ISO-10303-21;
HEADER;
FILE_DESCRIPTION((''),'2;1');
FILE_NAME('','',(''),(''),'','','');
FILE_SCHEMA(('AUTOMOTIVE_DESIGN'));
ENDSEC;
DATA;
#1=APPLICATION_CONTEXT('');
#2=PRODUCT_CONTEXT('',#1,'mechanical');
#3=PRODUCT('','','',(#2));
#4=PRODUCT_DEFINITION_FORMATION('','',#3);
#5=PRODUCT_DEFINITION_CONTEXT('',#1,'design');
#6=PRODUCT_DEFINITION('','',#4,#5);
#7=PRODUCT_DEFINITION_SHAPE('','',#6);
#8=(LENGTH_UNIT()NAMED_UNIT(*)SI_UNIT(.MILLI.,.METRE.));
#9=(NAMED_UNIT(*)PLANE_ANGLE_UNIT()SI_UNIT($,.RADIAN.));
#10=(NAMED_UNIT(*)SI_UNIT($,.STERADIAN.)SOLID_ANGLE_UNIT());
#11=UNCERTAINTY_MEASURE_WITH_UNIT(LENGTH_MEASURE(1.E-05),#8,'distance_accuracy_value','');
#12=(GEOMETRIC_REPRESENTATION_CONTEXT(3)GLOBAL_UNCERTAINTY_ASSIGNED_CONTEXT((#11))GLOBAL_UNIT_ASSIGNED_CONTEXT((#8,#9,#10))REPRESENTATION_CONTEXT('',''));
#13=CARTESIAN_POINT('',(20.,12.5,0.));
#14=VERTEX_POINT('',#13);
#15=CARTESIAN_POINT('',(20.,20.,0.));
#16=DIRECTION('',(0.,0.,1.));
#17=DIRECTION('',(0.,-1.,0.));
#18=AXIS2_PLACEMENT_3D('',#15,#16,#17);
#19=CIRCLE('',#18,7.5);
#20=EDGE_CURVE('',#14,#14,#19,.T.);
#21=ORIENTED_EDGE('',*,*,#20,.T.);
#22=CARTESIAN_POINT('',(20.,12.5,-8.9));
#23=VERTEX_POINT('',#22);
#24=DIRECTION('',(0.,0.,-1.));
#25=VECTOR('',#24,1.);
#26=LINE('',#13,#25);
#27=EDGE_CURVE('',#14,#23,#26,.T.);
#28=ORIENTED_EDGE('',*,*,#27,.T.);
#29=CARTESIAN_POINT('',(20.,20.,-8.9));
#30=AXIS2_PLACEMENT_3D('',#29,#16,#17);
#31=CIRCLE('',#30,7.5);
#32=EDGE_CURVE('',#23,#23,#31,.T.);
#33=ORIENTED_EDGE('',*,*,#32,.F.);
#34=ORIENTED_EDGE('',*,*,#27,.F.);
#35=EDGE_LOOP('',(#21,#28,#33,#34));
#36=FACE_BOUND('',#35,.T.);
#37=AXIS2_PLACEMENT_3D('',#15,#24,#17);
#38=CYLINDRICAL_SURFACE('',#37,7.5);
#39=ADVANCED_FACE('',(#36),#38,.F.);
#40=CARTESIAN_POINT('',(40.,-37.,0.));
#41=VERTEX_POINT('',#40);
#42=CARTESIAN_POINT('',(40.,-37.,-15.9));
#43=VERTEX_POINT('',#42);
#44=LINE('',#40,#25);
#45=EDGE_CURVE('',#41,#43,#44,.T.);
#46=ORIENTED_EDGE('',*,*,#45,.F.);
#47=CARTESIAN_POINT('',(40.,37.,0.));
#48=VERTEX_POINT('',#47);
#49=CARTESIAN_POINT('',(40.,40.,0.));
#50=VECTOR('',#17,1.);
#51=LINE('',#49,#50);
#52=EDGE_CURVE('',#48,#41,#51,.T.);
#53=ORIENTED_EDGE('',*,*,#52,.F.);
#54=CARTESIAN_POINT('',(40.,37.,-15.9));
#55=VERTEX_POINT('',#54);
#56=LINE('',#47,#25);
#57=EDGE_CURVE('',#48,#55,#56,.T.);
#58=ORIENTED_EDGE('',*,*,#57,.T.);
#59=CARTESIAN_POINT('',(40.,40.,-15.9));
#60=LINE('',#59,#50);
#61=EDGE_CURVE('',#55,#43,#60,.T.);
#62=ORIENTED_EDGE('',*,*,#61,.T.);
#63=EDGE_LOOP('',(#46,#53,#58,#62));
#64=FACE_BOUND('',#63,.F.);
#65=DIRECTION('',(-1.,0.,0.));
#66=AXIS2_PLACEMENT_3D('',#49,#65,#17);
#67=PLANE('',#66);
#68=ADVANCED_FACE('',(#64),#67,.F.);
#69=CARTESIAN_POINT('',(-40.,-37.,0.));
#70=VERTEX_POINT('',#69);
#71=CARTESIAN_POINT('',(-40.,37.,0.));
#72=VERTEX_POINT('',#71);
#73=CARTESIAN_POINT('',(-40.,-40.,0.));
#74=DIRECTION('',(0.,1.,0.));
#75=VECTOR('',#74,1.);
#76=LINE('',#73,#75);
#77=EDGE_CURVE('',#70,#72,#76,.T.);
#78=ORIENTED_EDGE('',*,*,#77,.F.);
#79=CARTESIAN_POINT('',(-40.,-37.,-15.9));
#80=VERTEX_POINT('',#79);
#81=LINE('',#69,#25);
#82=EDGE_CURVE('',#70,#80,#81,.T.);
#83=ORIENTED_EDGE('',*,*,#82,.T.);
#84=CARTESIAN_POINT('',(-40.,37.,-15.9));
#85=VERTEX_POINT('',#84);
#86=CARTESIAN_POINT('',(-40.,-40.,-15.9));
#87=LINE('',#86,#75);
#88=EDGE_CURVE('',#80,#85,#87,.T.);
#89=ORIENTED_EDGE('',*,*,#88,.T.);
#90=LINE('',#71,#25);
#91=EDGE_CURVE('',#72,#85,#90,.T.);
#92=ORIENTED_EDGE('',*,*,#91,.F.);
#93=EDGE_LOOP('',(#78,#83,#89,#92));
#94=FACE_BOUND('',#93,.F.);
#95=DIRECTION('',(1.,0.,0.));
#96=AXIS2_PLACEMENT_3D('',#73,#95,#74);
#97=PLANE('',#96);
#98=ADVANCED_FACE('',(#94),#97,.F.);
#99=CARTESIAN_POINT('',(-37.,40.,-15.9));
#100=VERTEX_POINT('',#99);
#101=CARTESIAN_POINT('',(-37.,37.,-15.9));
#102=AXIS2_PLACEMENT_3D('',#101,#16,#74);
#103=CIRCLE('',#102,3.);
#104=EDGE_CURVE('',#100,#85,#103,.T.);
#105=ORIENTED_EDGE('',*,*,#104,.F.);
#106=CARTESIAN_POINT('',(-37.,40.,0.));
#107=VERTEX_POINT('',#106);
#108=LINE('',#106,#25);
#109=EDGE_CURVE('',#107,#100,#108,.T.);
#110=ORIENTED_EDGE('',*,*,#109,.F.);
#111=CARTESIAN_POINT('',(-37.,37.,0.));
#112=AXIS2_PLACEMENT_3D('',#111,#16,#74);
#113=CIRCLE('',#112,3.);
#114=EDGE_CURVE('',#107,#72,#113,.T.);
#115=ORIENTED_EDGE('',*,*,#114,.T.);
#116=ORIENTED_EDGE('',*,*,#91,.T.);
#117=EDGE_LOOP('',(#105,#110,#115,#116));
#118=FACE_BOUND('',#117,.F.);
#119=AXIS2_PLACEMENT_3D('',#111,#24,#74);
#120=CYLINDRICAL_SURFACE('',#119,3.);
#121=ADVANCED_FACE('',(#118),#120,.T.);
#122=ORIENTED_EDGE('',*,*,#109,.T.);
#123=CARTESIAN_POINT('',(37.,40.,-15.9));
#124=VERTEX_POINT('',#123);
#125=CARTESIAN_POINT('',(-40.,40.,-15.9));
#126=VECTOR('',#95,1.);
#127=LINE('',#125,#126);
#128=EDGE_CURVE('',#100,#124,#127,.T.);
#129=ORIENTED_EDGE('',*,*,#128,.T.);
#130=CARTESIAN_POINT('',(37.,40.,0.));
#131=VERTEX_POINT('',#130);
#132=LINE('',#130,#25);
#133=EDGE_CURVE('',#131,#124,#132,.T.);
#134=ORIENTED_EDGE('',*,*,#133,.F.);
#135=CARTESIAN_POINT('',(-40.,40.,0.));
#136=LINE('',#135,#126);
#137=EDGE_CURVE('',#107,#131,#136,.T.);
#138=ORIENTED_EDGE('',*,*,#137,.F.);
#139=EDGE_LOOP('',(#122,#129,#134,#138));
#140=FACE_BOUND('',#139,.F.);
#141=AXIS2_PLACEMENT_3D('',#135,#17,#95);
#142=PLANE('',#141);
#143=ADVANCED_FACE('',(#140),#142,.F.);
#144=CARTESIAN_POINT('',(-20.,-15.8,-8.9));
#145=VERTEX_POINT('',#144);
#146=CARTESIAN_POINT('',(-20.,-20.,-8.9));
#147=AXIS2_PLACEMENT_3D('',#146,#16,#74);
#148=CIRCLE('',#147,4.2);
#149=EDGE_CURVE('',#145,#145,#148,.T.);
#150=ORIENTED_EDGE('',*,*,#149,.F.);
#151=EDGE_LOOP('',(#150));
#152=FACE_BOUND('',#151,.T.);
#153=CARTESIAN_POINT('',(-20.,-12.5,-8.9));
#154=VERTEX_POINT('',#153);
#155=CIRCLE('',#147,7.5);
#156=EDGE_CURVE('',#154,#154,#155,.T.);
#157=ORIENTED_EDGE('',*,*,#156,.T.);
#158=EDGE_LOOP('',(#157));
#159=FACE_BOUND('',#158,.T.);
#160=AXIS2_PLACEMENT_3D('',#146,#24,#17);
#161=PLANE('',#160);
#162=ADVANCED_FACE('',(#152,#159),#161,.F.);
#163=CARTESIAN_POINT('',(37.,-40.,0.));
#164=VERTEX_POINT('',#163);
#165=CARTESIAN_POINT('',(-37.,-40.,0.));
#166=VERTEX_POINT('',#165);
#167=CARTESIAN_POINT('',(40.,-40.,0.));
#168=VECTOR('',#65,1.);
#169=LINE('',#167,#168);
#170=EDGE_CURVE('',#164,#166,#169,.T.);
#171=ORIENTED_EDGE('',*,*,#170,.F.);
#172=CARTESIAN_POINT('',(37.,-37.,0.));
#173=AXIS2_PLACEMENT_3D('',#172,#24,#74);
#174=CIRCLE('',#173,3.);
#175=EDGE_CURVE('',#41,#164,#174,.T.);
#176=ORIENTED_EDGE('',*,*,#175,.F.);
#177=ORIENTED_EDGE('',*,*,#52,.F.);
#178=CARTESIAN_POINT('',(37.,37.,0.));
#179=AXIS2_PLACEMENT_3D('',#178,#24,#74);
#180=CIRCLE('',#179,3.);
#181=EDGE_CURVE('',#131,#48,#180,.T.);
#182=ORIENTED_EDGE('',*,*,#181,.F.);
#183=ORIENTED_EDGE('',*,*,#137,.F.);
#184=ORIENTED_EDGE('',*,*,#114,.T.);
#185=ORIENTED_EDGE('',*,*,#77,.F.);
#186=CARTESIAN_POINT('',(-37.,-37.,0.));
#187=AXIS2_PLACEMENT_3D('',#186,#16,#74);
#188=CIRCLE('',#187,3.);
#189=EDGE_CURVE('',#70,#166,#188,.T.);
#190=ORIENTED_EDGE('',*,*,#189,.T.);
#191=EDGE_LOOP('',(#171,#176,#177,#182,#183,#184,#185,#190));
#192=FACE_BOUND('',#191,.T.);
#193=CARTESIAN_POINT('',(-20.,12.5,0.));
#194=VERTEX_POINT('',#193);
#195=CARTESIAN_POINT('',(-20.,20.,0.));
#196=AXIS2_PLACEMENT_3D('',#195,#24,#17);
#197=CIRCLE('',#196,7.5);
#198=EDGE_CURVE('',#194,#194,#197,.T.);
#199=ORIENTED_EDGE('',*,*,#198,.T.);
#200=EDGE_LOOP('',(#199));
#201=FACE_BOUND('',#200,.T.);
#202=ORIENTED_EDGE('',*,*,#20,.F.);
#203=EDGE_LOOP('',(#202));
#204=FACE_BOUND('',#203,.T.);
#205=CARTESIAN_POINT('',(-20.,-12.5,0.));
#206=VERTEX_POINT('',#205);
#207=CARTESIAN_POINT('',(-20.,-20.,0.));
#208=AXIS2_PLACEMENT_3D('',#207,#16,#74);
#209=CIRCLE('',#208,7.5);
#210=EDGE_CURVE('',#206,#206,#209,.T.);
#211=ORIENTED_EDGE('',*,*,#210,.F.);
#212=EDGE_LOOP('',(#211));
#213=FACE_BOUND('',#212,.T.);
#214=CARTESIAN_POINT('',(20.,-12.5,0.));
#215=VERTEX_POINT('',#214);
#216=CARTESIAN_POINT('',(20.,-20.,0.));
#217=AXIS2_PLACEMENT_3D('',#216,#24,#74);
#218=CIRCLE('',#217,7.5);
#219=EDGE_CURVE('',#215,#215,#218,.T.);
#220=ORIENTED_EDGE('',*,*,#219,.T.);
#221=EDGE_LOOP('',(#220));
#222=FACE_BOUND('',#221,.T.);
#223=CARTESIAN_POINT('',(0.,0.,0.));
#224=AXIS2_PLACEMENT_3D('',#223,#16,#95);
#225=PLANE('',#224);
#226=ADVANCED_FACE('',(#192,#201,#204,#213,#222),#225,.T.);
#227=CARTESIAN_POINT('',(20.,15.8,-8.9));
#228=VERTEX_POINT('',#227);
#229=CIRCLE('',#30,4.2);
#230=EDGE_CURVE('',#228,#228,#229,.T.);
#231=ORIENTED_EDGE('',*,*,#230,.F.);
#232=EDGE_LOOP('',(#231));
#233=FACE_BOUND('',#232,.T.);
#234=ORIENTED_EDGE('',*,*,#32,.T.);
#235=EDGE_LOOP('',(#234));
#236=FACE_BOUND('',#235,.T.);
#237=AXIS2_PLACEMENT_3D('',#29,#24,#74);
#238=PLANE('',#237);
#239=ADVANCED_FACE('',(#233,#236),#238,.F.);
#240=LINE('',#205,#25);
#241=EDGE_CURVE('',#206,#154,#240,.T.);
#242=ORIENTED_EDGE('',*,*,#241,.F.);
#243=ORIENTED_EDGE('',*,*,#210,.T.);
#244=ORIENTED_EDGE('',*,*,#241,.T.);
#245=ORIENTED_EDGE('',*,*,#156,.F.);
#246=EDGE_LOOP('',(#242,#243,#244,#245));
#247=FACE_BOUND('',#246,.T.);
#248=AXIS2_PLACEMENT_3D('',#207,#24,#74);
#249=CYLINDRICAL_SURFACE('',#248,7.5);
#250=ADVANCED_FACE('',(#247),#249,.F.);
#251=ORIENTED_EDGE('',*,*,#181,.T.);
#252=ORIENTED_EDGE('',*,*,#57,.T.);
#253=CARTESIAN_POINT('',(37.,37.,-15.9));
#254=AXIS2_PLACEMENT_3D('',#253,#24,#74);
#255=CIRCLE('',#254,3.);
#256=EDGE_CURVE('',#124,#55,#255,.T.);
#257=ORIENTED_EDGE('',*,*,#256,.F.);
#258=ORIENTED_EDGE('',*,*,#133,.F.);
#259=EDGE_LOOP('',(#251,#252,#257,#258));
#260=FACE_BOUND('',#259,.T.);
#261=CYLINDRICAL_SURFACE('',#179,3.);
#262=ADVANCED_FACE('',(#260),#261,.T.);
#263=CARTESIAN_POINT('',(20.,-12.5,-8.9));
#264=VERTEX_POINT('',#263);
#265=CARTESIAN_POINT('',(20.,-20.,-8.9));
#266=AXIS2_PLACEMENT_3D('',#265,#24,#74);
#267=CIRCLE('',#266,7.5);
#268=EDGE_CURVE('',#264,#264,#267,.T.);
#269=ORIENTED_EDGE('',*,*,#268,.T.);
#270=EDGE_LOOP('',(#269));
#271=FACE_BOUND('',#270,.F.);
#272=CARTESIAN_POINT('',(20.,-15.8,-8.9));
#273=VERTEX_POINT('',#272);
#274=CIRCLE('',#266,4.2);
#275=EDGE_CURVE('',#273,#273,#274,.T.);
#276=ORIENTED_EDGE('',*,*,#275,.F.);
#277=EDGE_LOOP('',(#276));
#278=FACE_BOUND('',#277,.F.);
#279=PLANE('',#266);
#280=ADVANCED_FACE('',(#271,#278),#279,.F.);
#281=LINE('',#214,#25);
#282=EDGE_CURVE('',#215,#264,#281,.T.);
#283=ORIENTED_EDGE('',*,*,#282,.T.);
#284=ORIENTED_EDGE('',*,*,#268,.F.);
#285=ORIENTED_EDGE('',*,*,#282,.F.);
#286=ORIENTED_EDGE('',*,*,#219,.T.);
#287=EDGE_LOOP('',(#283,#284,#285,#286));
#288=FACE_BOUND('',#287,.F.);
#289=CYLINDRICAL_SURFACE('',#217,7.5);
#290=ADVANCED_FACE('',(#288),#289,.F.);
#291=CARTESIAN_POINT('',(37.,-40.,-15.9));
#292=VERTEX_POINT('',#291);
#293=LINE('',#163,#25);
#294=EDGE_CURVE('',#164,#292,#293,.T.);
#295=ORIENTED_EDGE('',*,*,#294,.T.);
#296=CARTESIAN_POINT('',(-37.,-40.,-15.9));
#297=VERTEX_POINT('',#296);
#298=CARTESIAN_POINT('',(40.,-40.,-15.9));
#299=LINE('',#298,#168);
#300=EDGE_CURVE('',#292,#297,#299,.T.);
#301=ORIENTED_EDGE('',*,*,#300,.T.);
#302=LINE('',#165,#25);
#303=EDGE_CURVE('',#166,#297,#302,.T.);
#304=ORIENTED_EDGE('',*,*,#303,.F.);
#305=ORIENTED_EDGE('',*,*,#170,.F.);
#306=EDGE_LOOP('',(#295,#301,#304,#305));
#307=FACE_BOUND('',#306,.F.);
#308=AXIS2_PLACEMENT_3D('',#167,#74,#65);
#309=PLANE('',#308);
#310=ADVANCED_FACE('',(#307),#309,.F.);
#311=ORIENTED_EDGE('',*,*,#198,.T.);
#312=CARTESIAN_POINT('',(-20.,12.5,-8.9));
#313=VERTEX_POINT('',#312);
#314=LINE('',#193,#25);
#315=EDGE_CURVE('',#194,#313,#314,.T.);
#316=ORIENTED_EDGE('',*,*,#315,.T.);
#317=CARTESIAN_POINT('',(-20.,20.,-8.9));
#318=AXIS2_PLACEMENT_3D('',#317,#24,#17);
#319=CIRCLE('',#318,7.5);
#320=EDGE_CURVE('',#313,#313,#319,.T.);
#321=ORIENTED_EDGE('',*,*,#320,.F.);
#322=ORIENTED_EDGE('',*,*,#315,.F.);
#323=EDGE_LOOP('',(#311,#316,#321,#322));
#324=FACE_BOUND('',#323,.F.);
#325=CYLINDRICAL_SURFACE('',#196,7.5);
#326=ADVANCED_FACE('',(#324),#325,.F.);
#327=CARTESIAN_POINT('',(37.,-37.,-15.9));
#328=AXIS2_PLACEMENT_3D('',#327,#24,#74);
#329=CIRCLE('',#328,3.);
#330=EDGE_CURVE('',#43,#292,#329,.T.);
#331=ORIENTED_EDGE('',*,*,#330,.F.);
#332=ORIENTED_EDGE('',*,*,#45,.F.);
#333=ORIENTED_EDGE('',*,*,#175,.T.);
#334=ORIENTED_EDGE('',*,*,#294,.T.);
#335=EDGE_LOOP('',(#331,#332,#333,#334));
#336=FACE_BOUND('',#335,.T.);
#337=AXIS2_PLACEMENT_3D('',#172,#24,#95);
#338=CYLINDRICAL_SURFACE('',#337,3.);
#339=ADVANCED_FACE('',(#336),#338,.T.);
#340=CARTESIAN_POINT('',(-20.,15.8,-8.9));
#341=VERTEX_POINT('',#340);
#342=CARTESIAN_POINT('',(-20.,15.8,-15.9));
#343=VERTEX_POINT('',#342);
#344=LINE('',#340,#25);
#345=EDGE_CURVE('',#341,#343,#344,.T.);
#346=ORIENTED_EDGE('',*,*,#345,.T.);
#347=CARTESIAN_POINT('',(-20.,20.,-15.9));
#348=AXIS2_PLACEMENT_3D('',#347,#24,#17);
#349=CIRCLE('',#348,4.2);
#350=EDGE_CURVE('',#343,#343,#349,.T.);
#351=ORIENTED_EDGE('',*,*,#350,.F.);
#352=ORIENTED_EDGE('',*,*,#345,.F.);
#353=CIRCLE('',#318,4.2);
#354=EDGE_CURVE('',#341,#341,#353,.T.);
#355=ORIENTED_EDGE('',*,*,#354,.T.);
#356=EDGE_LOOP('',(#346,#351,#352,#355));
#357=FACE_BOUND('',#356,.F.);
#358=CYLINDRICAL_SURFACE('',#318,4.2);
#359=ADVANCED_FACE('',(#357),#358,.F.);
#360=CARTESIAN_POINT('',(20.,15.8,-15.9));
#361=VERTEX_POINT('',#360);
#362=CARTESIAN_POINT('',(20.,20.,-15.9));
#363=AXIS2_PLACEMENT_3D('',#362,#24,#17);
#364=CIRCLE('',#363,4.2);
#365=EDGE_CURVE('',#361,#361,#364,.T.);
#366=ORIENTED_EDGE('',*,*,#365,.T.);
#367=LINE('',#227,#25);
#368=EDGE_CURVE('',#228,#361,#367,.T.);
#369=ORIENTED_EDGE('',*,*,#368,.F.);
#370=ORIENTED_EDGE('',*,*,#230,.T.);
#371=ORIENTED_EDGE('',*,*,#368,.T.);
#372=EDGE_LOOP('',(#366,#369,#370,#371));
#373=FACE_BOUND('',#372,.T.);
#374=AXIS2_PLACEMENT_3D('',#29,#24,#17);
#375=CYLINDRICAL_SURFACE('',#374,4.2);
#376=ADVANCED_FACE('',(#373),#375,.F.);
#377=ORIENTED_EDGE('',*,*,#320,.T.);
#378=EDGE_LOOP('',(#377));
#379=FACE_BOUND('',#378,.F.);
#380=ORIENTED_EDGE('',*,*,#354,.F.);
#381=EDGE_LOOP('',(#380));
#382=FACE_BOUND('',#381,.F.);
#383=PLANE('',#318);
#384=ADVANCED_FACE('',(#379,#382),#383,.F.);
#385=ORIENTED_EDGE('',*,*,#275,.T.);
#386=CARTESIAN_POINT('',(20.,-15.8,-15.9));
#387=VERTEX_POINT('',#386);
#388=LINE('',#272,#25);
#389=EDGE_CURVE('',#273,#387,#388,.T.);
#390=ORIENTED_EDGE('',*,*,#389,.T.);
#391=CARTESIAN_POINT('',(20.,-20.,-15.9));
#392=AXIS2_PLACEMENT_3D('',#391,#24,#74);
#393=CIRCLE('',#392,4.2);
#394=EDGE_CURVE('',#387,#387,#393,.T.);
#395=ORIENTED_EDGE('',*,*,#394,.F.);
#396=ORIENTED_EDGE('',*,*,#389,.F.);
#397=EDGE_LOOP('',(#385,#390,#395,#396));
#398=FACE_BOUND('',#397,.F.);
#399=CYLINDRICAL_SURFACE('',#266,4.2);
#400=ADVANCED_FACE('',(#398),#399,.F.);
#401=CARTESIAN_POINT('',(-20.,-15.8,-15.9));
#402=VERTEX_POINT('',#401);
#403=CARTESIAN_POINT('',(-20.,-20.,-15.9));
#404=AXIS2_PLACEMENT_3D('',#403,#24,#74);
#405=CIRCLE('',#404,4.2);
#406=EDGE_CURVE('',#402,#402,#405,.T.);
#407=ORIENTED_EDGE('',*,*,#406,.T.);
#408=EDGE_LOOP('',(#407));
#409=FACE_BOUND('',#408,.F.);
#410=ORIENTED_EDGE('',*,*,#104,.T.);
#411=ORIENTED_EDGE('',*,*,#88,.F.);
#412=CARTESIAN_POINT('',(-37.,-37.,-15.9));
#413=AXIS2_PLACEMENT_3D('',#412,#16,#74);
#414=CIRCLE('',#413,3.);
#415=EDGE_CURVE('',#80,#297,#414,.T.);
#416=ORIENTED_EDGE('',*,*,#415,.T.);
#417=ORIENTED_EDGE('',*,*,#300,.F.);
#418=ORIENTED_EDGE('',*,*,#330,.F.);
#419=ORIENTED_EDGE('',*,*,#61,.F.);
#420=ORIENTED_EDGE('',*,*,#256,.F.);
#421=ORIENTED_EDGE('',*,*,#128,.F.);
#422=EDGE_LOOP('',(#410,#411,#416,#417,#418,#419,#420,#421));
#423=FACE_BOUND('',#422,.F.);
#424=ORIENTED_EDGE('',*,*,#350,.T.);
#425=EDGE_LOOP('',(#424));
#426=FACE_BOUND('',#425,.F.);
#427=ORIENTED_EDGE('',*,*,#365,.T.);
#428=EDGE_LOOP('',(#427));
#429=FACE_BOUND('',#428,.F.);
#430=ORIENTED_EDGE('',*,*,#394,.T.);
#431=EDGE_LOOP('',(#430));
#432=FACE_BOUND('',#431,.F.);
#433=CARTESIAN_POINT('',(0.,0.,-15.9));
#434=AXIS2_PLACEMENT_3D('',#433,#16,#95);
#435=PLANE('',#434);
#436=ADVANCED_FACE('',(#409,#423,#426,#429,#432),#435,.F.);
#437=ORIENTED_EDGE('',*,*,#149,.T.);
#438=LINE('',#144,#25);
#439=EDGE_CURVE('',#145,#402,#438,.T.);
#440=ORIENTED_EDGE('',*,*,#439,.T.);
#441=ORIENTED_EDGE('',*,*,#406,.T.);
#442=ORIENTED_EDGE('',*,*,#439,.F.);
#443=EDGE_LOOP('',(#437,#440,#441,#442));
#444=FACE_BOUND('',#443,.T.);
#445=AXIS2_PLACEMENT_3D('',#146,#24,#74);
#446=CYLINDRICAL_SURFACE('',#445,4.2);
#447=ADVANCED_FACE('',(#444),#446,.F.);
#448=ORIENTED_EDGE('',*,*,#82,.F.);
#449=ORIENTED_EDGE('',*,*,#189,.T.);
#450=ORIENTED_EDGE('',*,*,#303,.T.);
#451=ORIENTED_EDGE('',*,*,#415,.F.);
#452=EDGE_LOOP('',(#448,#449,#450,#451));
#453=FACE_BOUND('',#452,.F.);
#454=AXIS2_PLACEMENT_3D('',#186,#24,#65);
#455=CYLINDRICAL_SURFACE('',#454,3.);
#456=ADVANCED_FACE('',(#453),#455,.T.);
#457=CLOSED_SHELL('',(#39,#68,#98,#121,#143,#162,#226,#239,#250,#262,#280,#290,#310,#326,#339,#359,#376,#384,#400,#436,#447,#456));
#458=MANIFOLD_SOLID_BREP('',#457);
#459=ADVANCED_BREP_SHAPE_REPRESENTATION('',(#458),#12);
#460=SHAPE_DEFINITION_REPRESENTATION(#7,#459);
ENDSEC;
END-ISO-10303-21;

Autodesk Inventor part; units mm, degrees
ref_plane "YZ Plane" through (0, 0, 0) normal (1, 0, 0) x (0, 1, 0)
ref_plane "XZ Plane" through (0, 0, 0) normal (0, 1, 0) x (-1, 0, 0)
ref_plane "XY Plane" through (0, 0, 0) normal (0, 0, 1) x (1, 0, 0)
sketch "Sketch1" plane through (0, 0, 0) normal (0, 0, 1) x (1, 0, 0)
  line L0 (-40, 40) -> (40, 40)
  line L1 (40, 40) -> (40, -40)
  line L2 (40, -40) -> (-40, -40)
  line L3 (-40, -40) -> (-40, 40)
  point P0 (0, 0)
  dimension "d0" = 80
  dimension "d1" = 80
  dimension "d2" = 40
  dimension "d3" = 40
extrude "Extrusion1" add sketch "Sketch1" against normal blind 15.9
sketch "Sketch2" plane through (0, 0, 0) normal (0, 0, 1) x (1, 0, 0)
  line L0 (0, 56) -> (0, -56) projected
  line L1 (-56, 0) -> (56, 0) projected
  point P0 (-20, 20)
  dimension "d6" = 20
  dimension "d7" = 20
hole "Hole1" at (-20, 20, 0) direction (0, 0, -1) diameter 8.4 end through all counterbore diameter 15 counterbore depth 8.9 clearance for "Socket Head Cap Screw" size "M8" standard "Ansi Metric M Profile"
mirror "Mirror1" about plane through (0, 0, 0) normal (1, 0, 0) of "Hole1"
mirror "Mirror2" about plane through (0, 0, 0) normal (0, 1, 0) of "Hole1", "Mirror1"
fillet "Fillet1" radius 3 4 edges at (-40, -40, -7.95) (-40, 40, -7.95) (40, 40, -7.95) (40, -40, -7.95)
equation "\"d2\" = 0.5 * d0"
equation "\"d3\" = d2"
equation "\"d7\" = d6"
properties part number "21-8000Z1" material "Aluminum-6061"
